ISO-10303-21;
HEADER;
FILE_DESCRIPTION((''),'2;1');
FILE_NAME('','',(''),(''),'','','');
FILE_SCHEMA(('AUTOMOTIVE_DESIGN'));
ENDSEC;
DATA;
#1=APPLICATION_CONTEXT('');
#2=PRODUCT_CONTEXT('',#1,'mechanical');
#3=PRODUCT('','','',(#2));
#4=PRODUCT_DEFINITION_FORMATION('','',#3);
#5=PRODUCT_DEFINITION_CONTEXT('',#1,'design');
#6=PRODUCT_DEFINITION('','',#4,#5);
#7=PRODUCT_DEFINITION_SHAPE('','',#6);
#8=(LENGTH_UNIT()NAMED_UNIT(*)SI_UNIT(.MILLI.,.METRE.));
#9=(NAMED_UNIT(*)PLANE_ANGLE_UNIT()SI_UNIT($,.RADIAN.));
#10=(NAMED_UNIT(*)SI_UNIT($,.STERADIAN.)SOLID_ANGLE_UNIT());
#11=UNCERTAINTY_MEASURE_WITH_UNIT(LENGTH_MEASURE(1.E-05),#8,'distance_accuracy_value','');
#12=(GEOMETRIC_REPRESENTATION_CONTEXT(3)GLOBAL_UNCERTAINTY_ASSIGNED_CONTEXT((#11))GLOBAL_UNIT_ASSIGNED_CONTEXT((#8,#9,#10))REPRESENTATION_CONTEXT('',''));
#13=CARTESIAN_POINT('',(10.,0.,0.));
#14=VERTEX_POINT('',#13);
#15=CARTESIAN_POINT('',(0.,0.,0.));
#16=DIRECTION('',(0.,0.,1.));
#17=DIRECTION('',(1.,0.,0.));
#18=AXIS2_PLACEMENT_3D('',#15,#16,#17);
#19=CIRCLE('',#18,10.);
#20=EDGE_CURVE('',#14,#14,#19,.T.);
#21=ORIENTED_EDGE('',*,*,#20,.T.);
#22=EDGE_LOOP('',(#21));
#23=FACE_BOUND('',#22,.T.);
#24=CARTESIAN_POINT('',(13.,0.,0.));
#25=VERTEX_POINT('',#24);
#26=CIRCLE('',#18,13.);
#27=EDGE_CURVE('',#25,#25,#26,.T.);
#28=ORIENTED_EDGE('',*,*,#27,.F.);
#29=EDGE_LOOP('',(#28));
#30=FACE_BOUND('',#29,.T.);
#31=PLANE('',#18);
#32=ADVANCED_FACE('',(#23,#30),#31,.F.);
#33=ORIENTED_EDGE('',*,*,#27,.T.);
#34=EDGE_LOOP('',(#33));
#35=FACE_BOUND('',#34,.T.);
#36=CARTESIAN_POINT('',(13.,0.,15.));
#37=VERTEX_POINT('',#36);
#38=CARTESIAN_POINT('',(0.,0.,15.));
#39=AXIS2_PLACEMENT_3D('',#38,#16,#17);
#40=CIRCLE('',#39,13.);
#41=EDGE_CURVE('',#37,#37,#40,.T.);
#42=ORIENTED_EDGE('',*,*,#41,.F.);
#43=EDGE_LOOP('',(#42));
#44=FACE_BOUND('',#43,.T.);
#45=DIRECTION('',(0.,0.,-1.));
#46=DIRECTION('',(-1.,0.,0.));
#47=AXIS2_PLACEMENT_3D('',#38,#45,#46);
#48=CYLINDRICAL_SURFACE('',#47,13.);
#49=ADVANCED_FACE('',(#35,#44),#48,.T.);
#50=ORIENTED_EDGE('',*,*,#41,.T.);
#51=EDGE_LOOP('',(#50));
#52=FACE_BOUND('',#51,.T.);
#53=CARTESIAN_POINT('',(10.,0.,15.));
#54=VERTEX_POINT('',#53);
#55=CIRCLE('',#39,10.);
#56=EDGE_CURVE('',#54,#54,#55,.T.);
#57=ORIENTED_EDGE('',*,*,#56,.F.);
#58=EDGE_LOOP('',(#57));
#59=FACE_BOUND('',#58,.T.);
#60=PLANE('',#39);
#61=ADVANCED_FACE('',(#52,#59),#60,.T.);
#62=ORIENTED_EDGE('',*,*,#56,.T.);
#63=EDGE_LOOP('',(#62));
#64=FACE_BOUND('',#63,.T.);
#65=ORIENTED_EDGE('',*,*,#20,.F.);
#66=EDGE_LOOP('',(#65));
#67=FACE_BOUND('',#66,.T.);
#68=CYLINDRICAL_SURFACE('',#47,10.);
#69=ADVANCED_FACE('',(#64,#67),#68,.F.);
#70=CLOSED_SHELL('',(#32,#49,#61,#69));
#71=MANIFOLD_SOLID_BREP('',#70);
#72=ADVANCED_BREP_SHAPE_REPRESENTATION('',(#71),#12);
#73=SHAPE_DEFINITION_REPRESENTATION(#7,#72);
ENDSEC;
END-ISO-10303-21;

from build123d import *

# Parameters (mm, degrees)
SKETCH2_R           = 13
SKETCH2_R_2         = 10
BOSS_EXTRUDE1_DEPTH = 15


with BuildPart() as part:
    # Sketch2 → Boss-Extrude1 (new body)
    with BuildSketch(Plane.XY):
        Circle(SKETCH2_R)
        Circle(SKETCH2_R_2, mode=Mode.SUBTRACT)
    extrude(amount=BOSS_EXTRUDE1_DEPTH)


solid = part.part
